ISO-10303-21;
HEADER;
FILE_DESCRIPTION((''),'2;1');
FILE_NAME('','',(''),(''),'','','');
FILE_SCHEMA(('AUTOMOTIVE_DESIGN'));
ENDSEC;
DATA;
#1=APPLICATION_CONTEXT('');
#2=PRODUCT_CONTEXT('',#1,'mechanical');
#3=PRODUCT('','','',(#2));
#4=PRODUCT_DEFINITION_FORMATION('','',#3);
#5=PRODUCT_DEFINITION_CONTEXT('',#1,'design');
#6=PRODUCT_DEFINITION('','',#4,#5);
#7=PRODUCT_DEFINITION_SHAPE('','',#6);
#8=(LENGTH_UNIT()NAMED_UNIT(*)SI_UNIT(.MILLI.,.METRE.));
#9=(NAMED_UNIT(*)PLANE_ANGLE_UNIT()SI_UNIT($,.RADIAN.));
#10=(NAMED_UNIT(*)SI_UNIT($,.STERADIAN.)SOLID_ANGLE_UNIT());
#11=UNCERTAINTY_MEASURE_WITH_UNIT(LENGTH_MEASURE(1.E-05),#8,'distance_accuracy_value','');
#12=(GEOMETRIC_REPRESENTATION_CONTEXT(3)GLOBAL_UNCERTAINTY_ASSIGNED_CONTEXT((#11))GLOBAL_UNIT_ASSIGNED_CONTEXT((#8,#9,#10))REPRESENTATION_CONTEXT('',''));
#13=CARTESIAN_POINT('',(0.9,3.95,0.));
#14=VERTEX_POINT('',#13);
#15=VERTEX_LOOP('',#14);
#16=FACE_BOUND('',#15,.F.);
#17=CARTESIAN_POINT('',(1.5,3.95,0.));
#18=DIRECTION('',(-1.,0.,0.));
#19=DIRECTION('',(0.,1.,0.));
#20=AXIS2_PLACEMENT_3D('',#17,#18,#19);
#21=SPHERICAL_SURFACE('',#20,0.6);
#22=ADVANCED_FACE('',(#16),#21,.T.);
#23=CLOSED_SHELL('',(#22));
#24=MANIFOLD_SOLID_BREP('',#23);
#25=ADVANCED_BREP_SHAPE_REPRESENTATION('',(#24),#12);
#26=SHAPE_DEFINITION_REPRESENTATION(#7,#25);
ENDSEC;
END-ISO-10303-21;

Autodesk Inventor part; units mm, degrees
ref_plane "YZ Plane" through (0, 0, 0) normal (1, 0, 0) x (0, 1, 0)
ref_plane "XZ Plane" through (0, 0, 0) normal (0, 1, 0) x (-1, 0, 0)
ref_plane "XY Plane" through (0, 0, 0) normal (0, 0, 1) x (1, 0, 0)
sketch "Sketch_6" plane through (0, 0, 0) normal (0, 0, 1) x (1, 0, 0)
  line L0 (2.1, 3.95) -> (0.9, 3.95)
  arc A0 (2.1, 3.95) -> (0.9, 3.95) centre (1.5, 3.95) ccw
  line L1 (2.1, 3.95) -> (0.9, 3.95)
  dimension "d0" = 360
revolve "Revolution1" add sketch "Sketch_6" angle 360 about axis through (2.1, 3.95, 0) along (1, 0, 0)
properties part number "W 627/6-2Z_PART3" material "Stainless Steel"
